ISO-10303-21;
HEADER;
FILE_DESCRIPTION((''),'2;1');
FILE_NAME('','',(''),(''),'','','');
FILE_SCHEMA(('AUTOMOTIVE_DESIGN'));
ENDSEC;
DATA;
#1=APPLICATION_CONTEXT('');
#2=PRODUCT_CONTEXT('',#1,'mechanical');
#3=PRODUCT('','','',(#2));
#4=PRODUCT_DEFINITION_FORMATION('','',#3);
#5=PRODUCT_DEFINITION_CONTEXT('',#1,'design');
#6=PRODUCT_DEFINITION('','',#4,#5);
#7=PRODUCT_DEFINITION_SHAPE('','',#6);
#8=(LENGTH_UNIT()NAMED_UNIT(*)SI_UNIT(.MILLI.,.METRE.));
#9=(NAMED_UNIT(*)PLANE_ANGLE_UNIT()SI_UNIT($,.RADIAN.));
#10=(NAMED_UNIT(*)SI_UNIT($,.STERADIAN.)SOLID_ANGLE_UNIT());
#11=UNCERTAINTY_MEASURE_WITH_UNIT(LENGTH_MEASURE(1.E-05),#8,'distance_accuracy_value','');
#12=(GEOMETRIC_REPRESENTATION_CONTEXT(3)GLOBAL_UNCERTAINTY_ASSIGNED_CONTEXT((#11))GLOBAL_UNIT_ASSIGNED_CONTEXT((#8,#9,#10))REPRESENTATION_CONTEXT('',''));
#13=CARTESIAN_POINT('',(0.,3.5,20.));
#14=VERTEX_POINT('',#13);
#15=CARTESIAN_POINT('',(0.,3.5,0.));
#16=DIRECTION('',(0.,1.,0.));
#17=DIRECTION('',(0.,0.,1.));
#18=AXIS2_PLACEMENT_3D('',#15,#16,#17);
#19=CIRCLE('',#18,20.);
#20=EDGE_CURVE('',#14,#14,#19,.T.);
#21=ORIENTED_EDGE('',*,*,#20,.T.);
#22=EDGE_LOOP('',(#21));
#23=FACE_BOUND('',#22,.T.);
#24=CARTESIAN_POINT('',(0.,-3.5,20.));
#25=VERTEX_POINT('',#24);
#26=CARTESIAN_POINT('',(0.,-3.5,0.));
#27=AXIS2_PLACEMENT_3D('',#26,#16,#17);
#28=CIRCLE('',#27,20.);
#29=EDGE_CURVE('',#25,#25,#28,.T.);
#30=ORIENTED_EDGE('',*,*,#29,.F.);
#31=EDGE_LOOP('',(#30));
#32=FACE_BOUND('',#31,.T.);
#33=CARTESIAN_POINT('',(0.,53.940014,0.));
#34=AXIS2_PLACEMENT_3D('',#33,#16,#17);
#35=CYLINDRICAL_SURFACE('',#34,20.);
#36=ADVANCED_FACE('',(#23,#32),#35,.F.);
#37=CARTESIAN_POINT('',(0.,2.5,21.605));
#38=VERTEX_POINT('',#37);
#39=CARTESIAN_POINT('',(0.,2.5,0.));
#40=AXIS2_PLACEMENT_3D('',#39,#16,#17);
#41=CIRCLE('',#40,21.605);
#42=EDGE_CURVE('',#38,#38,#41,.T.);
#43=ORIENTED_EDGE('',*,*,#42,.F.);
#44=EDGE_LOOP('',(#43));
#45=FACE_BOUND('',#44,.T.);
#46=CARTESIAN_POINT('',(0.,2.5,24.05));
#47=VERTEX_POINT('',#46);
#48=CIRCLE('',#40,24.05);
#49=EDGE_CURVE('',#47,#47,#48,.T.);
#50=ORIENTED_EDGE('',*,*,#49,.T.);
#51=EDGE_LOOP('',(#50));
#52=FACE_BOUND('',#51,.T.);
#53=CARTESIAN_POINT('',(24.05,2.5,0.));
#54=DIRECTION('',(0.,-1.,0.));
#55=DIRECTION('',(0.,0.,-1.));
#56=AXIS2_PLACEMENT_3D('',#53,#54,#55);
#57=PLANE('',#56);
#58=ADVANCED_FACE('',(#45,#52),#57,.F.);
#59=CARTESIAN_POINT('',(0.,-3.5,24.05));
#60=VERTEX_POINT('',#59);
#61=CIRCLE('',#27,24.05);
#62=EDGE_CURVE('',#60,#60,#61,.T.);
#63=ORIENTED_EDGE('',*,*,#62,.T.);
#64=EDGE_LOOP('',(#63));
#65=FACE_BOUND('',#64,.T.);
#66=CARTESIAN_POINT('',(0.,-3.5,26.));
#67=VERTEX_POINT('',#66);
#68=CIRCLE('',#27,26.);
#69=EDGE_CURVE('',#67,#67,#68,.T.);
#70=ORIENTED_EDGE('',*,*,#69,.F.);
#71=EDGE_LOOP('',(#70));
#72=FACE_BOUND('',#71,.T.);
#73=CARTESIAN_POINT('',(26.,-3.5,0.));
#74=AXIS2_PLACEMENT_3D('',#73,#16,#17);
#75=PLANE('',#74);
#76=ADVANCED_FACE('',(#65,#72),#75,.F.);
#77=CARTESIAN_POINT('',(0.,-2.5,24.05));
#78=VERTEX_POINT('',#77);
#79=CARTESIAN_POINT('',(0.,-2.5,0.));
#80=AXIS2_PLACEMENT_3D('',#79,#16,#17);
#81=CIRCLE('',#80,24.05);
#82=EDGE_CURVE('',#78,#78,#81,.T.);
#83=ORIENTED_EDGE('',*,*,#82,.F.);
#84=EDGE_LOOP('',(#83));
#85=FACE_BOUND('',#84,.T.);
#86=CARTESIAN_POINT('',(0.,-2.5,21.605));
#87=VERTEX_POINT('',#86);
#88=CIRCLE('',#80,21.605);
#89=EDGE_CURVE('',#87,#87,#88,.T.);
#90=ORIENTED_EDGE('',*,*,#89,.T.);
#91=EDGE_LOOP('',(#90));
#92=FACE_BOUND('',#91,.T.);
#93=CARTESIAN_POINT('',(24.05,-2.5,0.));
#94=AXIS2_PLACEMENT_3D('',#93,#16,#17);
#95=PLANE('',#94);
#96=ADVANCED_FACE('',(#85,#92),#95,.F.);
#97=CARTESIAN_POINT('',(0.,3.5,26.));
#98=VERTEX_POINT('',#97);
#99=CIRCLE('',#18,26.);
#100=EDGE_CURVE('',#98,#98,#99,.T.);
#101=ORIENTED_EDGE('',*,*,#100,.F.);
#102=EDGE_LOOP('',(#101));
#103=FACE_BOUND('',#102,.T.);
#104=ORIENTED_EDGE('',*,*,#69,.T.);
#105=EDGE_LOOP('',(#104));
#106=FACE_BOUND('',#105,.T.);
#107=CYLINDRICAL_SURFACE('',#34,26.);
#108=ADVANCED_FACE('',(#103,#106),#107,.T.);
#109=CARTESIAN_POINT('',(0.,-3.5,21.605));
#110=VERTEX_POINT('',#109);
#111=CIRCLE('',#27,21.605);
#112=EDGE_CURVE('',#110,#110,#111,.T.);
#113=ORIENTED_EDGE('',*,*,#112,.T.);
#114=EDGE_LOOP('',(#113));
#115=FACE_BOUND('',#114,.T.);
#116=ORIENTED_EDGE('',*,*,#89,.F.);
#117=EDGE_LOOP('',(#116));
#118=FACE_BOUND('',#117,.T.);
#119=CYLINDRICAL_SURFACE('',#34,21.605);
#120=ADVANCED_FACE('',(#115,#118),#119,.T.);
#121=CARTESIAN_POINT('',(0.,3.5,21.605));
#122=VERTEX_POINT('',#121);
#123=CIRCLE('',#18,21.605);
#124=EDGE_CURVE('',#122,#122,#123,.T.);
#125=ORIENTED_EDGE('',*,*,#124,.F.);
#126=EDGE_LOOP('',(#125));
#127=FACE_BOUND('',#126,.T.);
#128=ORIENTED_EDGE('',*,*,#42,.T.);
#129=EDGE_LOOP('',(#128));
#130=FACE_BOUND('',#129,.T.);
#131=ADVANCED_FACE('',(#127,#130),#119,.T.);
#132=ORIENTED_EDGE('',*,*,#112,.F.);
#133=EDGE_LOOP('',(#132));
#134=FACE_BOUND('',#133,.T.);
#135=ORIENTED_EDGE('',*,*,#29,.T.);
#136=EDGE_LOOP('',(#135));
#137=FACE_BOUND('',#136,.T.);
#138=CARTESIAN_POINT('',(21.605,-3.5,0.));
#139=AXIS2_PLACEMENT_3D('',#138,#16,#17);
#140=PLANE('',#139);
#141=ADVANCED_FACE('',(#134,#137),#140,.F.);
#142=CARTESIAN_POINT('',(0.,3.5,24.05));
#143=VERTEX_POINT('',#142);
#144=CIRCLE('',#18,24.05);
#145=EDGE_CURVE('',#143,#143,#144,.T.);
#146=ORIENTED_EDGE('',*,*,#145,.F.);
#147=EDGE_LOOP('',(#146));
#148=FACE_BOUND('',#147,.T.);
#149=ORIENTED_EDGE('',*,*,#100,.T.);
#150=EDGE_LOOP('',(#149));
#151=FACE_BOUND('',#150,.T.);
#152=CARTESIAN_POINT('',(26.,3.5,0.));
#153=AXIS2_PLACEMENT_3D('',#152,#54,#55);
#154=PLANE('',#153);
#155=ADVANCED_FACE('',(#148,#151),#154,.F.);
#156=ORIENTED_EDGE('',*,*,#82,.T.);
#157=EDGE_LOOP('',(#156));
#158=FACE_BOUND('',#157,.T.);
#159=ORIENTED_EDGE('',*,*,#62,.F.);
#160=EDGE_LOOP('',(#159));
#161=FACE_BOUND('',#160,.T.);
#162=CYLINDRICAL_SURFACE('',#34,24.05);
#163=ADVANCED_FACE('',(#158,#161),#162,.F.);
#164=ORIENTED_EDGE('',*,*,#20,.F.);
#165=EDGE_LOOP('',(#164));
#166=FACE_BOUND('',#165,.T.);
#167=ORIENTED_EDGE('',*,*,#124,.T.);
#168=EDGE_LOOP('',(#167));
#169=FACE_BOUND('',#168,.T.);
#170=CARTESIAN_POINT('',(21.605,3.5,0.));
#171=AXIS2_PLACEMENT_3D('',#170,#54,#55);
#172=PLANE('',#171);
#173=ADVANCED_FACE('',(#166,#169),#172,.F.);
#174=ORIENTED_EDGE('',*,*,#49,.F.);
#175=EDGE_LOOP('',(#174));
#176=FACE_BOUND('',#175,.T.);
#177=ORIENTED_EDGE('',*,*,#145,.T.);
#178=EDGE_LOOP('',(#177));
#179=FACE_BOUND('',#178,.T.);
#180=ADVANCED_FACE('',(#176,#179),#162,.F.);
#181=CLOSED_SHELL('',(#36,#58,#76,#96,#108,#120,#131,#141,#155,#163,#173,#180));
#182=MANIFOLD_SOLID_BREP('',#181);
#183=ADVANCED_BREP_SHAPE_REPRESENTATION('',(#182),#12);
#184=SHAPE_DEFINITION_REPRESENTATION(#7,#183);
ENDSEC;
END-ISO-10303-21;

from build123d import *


with BuildPart() as part:
    # 草图2 → 旋转1 (revolve)
    with BuildSketch(Plane.XY, mode=Mode.PRIVATE) as revolve_1_sk:
        Polygon((26, -3.5), (26, 3.5), (24.05, 3.5), (24.05, 2.5), (21.605, 2.5), (21.605, 3.5), (20, 3.5), (20, -3.5), (21.605, -3.5), (21.605, -2.5), (24.05, -2.5), (24.05, -3.5), align=None)
    revolve(revolve_1_sk.sketch.rotate(Axis((0, 53.940013569, 0), (0, -1, 0)), 90), axis=Axis((0, 53.940013569, 0), (0, -1, 0)))


solid = part.part
